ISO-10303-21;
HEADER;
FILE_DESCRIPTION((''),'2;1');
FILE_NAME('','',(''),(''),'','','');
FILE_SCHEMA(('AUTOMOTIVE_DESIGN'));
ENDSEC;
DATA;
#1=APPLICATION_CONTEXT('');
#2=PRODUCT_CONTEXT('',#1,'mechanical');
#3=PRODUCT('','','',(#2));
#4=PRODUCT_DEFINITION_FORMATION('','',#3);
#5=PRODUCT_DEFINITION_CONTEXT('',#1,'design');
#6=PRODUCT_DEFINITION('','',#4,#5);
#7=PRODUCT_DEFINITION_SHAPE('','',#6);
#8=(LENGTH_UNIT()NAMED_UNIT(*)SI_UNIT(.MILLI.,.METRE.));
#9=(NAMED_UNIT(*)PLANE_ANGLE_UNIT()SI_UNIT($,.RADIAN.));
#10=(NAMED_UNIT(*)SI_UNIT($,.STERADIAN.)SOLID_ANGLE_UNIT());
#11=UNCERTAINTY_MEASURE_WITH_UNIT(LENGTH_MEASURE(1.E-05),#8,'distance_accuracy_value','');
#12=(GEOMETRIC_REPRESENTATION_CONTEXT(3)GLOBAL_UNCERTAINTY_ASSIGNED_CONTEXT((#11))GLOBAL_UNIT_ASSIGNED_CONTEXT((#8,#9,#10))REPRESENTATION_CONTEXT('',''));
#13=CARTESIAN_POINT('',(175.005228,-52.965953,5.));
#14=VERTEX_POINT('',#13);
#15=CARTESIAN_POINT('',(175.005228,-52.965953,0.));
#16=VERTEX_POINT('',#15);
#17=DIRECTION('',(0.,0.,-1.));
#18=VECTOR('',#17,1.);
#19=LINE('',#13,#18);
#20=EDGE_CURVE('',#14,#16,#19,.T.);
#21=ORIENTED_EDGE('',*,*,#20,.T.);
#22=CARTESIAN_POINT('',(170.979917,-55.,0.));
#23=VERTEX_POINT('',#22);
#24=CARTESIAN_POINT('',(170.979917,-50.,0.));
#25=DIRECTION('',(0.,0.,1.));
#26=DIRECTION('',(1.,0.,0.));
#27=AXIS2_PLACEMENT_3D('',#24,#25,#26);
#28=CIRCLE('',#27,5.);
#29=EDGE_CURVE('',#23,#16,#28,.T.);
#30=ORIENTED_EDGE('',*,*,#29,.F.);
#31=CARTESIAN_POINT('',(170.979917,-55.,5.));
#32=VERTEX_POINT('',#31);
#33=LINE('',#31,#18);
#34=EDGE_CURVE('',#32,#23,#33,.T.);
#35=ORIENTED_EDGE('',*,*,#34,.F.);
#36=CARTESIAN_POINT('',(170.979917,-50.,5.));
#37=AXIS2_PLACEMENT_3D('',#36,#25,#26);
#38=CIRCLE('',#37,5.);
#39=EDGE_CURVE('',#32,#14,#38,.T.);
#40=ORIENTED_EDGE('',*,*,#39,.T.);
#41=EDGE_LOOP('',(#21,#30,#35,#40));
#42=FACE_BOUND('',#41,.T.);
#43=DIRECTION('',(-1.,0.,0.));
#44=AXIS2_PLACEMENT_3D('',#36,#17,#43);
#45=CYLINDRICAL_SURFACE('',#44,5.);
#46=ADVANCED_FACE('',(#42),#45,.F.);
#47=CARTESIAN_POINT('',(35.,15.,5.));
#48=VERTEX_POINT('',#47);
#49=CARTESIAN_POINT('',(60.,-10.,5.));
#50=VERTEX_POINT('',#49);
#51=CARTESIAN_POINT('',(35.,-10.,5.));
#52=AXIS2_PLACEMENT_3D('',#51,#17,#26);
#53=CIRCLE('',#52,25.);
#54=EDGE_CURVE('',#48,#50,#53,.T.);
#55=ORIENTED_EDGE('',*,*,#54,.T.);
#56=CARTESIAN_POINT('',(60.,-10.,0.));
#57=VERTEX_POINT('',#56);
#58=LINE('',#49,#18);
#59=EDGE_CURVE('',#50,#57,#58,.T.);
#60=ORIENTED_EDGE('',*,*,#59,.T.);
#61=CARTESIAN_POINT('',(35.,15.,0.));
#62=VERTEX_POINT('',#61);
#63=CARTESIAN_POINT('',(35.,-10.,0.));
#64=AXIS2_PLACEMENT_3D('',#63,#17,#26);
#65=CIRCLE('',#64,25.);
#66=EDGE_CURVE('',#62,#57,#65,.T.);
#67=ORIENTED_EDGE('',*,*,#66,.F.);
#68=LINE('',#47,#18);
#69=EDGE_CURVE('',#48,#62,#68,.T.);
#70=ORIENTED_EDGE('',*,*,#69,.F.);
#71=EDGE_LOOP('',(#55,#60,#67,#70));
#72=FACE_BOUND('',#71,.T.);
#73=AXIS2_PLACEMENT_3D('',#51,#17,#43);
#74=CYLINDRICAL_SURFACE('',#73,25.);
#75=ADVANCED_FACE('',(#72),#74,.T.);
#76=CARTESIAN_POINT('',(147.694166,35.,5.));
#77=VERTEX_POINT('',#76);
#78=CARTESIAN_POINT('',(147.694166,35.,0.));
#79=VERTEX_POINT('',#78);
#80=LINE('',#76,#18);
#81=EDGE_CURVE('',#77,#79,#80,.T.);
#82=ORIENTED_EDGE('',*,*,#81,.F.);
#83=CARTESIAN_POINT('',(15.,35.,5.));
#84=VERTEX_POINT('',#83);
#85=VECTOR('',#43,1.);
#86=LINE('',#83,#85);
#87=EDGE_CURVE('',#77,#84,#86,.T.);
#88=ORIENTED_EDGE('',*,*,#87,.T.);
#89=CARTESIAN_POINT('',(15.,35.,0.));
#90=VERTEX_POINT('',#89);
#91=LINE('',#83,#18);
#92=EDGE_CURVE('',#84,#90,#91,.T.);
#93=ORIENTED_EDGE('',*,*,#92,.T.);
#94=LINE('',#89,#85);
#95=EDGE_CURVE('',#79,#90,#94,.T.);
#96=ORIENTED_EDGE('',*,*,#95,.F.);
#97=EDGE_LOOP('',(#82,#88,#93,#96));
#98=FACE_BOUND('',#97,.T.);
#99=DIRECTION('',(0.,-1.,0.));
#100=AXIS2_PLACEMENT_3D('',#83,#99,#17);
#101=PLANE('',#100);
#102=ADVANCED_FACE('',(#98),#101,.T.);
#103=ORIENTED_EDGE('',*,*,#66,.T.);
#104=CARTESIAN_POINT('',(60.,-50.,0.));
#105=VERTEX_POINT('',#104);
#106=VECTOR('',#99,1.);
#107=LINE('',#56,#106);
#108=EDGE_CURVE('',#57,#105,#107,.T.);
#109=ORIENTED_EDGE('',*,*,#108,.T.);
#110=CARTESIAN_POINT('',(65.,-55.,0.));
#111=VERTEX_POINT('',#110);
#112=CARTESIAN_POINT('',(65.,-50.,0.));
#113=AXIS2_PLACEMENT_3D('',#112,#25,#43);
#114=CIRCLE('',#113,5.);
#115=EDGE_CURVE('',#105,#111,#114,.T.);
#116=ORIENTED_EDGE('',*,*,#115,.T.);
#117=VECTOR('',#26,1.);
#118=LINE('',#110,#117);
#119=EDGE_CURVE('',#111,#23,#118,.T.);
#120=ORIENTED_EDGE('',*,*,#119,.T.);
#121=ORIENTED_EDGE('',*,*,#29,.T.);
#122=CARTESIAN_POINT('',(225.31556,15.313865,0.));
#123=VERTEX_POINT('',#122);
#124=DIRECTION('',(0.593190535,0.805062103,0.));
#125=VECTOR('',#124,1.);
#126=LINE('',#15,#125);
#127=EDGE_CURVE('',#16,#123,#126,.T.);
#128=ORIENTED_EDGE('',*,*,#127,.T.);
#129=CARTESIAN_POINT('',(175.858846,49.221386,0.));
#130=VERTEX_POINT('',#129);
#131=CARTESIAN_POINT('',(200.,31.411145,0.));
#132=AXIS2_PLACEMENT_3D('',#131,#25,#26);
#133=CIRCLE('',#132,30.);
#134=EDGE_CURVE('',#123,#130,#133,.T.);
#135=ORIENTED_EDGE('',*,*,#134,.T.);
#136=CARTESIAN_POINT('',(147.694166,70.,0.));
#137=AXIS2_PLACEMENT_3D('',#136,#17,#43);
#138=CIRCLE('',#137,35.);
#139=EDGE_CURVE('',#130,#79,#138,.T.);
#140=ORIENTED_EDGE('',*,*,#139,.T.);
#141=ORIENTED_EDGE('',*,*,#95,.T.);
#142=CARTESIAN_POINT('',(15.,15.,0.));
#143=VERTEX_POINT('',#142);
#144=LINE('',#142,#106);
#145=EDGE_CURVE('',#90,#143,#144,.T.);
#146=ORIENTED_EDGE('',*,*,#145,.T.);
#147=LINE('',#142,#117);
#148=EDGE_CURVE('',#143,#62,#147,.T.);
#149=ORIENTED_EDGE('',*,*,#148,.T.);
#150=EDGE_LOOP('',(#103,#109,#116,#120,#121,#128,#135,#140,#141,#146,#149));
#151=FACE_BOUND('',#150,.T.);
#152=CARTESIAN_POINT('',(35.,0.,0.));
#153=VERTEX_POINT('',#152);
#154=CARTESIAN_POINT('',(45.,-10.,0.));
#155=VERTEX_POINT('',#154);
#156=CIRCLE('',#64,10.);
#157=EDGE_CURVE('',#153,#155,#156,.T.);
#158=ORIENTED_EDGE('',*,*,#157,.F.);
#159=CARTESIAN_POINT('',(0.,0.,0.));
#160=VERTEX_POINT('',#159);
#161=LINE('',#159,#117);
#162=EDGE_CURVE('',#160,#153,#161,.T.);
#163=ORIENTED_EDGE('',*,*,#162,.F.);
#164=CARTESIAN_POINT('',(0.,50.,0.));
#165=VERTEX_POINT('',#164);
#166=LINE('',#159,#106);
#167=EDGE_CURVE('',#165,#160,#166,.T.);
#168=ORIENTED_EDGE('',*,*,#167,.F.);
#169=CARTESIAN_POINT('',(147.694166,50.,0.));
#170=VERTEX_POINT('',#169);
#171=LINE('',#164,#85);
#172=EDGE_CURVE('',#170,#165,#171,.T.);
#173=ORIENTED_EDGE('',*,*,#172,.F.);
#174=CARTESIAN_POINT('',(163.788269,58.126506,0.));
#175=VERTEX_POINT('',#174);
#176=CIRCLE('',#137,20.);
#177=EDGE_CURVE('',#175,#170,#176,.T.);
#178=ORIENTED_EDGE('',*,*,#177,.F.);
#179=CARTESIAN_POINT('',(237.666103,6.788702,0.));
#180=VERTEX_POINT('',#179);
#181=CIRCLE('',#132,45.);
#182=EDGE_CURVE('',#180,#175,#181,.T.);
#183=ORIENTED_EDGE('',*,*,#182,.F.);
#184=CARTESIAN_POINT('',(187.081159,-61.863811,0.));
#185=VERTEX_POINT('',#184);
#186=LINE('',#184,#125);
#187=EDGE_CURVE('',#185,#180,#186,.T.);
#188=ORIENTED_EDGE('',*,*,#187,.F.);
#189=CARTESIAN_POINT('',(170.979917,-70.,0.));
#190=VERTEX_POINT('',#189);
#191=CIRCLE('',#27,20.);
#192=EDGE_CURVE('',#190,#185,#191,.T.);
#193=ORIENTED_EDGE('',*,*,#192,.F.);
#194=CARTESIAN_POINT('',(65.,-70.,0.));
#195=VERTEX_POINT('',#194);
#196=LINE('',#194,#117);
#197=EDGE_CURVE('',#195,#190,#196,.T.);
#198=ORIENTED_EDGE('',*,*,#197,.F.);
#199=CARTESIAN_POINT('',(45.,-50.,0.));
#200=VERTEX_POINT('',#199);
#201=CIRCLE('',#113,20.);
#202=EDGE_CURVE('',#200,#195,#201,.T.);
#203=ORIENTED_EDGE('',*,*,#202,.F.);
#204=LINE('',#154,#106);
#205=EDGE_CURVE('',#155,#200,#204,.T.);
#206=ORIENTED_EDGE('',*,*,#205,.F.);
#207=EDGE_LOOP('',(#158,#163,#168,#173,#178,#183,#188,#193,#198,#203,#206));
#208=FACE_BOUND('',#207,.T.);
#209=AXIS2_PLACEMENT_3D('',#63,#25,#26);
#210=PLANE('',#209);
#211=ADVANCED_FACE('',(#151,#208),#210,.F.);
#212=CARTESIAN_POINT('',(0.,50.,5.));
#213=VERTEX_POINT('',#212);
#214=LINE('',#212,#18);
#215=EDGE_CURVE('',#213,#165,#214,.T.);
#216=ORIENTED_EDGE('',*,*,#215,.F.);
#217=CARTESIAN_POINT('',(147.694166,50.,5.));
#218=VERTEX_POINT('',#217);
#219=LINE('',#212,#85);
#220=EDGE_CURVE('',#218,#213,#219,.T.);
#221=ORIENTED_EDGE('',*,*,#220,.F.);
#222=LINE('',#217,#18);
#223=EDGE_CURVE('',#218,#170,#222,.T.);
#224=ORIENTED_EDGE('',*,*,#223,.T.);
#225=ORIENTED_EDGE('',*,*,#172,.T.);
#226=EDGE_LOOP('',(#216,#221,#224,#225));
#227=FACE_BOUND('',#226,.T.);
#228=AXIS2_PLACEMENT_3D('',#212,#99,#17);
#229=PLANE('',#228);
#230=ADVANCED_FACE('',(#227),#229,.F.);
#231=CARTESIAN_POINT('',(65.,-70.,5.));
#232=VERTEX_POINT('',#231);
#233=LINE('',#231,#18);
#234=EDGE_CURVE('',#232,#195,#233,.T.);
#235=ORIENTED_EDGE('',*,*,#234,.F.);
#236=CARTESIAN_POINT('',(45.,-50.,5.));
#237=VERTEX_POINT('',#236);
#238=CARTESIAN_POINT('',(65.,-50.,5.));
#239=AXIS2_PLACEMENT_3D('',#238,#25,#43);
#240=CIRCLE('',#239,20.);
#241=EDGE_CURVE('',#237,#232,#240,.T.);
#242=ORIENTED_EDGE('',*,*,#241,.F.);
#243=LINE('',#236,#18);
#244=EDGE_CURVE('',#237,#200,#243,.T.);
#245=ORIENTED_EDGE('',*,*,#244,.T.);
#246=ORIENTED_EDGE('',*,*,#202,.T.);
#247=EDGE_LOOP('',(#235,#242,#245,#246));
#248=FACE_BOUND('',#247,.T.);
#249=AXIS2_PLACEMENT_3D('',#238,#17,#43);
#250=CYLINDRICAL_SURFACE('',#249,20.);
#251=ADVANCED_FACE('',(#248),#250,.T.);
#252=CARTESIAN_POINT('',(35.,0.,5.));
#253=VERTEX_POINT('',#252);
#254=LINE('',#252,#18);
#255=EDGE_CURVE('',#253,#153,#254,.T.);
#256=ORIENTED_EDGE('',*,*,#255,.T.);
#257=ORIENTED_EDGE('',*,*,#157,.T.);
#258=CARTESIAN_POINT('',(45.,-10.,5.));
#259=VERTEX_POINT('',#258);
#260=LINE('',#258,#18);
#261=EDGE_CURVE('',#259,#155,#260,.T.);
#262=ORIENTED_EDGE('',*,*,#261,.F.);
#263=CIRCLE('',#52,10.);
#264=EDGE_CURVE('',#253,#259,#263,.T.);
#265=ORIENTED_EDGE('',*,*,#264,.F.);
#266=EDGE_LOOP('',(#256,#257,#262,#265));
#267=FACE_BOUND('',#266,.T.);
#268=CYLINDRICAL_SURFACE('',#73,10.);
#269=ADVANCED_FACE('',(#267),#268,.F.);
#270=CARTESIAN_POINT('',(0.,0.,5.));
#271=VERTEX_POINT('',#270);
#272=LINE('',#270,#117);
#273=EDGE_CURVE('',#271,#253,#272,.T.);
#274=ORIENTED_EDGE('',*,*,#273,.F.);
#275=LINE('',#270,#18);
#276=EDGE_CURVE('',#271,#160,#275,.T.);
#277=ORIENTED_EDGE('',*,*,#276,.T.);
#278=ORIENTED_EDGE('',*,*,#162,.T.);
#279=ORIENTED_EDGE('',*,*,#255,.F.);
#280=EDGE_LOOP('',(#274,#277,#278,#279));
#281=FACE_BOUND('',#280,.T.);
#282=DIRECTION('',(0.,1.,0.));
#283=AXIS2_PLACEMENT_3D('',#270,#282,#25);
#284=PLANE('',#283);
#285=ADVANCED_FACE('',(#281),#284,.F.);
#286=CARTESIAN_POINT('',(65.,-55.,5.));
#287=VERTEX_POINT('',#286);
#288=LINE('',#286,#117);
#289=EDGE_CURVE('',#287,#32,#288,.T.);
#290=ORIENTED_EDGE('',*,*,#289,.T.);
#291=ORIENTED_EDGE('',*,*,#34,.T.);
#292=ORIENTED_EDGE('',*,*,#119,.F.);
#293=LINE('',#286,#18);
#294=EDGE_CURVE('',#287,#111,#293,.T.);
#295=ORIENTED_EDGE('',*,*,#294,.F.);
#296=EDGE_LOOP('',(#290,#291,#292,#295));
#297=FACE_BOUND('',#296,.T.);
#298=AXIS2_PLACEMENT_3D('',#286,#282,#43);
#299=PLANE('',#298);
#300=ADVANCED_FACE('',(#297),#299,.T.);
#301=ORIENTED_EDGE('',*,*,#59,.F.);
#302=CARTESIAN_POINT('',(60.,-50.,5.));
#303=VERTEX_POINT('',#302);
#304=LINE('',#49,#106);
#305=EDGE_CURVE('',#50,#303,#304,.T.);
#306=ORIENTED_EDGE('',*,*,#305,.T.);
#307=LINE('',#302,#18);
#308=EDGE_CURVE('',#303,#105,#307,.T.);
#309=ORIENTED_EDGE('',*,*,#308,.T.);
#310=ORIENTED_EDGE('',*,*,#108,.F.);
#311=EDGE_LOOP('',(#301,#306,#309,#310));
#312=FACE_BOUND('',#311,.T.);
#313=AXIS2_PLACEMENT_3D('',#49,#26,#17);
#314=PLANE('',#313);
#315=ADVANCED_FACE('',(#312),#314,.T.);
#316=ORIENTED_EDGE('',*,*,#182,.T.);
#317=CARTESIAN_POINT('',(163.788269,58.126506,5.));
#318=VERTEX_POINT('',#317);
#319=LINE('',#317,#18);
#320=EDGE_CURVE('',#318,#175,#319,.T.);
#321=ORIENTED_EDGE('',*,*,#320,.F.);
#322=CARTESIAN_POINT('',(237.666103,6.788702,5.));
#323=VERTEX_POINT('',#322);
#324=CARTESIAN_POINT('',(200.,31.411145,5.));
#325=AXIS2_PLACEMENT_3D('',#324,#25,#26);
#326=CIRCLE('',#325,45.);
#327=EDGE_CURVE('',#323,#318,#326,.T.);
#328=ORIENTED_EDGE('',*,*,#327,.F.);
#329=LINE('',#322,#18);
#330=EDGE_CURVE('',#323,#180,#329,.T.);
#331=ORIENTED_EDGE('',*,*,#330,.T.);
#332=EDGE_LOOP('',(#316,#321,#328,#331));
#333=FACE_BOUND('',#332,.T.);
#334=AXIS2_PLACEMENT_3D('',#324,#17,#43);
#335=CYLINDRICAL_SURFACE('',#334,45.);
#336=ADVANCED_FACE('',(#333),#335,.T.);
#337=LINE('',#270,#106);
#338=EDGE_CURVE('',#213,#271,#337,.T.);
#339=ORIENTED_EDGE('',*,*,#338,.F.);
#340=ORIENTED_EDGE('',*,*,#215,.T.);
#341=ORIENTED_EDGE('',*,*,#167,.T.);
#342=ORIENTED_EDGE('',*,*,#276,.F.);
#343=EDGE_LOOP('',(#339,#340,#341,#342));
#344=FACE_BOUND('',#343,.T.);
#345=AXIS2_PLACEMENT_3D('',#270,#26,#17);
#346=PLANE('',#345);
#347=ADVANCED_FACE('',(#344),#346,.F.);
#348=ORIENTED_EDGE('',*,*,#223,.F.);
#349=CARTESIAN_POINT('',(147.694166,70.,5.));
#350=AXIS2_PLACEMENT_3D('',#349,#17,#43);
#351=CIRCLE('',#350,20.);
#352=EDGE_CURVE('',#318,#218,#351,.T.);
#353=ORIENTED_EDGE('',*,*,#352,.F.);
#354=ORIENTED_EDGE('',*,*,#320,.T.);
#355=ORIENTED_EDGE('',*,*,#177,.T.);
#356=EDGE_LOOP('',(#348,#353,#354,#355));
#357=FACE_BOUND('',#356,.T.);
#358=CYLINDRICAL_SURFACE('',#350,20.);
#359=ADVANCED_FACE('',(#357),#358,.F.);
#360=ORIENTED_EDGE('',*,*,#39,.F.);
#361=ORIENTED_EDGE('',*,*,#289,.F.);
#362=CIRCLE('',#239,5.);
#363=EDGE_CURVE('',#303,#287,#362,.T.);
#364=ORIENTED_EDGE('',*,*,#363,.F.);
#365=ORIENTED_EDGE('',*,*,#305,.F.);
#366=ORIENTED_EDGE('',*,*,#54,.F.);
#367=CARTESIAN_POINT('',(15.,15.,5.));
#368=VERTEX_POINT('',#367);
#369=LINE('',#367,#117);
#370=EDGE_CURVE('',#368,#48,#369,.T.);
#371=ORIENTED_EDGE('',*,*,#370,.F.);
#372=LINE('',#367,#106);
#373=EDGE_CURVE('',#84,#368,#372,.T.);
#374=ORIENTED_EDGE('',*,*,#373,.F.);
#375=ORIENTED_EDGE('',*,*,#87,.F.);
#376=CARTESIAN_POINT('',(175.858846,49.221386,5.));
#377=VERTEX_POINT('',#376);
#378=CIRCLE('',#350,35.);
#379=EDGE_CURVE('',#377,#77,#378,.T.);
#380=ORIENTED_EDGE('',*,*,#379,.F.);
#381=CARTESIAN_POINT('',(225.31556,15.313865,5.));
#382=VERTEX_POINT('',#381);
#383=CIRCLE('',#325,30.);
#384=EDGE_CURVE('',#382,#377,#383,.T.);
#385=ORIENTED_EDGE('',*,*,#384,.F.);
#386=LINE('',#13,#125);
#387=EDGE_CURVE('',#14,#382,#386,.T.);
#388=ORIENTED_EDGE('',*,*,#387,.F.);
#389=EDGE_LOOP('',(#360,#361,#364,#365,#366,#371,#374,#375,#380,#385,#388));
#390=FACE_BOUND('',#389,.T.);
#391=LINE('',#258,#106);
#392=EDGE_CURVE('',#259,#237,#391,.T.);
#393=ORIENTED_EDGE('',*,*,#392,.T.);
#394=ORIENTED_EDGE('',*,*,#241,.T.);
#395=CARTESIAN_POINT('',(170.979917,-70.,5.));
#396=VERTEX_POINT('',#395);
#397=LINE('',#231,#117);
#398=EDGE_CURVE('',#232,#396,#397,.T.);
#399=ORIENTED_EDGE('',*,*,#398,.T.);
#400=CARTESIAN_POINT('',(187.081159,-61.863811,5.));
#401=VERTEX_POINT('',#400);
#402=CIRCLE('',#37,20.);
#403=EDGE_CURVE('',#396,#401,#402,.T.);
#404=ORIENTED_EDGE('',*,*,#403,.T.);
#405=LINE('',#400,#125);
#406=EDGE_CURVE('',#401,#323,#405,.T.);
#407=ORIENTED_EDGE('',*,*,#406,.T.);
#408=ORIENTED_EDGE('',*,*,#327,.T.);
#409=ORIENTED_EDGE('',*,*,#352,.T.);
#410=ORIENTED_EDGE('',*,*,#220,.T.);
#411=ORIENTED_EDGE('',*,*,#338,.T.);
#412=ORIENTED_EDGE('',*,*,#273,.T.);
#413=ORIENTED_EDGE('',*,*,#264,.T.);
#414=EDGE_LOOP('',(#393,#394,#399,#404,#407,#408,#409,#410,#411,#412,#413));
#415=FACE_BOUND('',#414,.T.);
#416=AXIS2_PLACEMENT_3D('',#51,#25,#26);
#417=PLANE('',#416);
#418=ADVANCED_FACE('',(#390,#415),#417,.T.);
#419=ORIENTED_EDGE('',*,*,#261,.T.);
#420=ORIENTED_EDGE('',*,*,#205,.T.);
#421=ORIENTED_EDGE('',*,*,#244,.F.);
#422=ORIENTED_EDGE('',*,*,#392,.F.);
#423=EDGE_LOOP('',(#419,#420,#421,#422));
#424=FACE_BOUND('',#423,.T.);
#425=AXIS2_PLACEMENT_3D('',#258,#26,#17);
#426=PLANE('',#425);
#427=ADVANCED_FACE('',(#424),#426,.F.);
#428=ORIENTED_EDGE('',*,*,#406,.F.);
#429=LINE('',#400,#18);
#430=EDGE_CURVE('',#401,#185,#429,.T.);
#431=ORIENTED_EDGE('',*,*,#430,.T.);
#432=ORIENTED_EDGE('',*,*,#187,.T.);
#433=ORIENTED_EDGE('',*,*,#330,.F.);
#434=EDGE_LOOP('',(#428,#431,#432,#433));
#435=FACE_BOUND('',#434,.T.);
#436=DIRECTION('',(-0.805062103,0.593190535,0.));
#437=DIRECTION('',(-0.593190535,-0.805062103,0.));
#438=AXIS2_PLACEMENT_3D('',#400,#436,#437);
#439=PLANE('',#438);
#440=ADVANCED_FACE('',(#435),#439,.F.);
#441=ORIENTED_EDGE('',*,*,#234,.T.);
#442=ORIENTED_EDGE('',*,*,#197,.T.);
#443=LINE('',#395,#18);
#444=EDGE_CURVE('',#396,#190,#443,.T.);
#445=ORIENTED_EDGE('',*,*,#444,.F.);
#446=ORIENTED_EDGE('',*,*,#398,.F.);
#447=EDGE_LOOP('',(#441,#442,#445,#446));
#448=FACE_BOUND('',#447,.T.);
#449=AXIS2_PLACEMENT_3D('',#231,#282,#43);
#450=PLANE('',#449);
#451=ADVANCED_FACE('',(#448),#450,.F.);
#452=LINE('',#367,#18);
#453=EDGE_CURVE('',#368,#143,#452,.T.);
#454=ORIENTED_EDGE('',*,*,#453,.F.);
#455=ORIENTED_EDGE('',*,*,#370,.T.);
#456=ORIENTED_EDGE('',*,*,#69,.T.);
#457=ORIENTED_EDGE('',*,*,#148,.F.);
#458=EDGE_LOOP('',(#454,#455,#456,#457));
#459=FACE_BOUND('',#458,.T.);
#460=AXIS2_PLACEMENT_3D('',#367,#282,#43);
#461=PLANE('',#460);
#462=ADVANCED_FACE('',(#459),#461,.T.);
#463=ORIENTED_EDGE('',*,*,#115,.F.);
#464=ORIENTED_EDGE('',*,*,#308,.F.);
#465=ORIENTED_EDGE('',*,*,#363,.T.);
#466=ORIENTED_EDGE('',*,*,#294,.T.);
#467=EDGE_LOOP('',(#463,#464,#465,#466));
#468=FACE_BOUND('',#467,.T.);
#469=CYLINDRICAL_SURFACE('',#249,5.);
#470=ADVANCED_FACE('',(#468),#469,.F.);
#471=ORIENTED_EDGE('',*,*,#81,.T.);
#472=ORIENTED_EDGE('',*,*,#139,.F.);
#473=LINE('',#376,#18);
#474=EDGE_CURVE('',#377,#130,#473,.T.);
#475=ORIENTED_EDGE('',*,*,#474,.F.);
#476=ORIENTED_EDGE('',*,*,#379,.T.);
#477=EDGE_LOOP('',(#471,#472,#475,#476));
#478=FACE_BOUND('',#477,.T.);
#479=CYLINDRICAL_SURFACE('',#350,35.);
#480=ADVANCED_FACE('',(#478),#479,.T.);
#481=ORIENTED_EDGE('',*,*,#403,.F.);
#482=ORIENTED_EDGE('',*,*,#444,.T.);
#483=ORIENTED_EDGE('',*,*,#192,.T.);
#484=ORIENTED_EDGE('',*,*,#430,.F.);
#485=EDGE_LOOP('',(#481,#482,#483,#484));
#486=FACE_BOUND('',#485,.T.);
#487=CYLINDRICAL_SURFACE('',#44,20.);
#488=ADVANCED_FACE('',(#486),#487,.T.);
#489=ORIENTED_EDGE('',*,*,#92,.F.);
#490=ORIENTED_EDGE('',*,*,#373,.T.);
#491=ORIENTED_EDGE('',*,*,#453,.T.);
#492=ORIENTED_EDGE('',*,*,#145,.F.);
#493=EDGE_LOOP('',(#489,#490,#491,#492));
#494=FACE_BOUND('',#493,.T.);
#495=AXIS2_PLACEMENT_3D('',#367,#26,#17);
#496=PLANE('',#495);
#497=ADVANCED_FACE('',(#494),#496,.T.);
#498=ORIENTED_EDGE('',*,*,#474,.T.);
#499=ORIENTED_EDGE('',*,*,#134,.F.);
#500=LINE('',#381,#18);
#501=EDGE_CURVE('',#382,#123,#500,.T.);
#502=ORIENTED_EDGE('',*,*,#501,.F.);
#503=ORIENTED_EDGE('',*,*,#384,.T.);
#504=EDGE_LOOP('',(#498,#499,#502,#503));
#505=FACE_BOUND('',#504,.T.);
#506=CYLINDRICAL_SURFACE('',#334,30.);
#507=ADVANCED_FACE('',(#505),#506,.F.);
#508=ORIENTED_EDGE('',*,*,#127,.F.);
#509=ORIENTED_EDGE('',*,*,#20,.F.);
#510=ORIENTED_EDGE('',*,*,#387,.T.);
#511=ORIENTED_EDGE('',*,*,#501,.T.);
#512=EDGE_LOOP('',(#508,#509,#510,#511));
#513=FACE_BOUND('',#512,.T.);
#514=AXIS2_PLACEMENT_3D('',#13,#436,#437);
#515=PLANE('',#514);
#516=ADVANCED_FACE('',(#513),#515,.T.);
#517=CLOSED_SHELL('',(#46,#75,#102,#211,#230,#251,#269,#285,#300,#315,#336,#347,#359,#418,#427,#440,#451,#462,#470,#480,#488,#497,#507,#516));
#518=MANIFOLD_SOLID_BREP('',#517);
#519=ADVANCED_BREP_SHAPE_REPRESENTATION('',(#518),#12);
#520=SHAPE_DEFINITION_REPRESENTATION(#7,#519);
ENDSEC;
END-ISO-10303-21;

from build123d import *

# Parameters (mm, degrees)
BOSS_EXTRUDE1_DEPTH = 5


with BuildPart() as part:
    # Sketch2 → Boss-Extrude1 (new body)
    with BuildSketch(Plane.XY):
        with BuildLine():
            Line((0, 0), (0, 50))
            Line((0, 50), (147.694165659, 50))
            ThreePointArc((147.694165659, 50), (156.708879353, 52.146850782), (163.788268533, 58.126506299))
            ThreePointArc((163.788268533, 58.126506299), (225.679200393, 68.364882321), (237.666102591, 6.788702139))
            Line((237.666102591, 6.788702139), (187.081159294, -61.863810699))
            ThreePointArc((187.081159294, -61.863810699), (180, -67.850437165), (170.979917239, -70))
            Line((170.979917239, -70), (65, -70))
            ThreePointArc((65, -70), (50.857864376, -64.142135624), (45, -50))
            Line((45, -50), (45, -10))
            ThreePointArc((45, -10), (42.071067812, -2.928932188), (35, 0))
            Line((35, 0), (0, 0))
        make_face()
        with BuildLine():
            Line((15, 35), (147.694165659, 35))
            ThreePointArc((147.694165659, 35), (163.469914624, 38.756988868), (175.858845689, 49.221386023))
            ThreePointArc((175.858845689, 49.221386023), (216.96392633, 56.154330461), (225.315559898, 15.313865357))
            Line((225.315559898, 15.313865357), (175.005227753, -52.965952675))
            ThreePointArc((175.005227753, -52.965952675), (173.23493793, -54.462609291), (170.979917239, -55))
            Line((170.979917239, -55), (65, -55))
            ThreePointArc((65, -55), (61.464466094, -53.535533906), (60, -50))
            Line((60, -50), (60, -10))
            ThreePointArc((60, -10), (52.67766953, 7.67766953), (35, 15))
            Line((35, 15), (15, 15))
            Line((15, 15), (15, 35))
        make_face(mode=Mode.SUBTRACT)
    extrude(amount=BOSS_EXTRUDE1_DEPTH)


solid = part.part
